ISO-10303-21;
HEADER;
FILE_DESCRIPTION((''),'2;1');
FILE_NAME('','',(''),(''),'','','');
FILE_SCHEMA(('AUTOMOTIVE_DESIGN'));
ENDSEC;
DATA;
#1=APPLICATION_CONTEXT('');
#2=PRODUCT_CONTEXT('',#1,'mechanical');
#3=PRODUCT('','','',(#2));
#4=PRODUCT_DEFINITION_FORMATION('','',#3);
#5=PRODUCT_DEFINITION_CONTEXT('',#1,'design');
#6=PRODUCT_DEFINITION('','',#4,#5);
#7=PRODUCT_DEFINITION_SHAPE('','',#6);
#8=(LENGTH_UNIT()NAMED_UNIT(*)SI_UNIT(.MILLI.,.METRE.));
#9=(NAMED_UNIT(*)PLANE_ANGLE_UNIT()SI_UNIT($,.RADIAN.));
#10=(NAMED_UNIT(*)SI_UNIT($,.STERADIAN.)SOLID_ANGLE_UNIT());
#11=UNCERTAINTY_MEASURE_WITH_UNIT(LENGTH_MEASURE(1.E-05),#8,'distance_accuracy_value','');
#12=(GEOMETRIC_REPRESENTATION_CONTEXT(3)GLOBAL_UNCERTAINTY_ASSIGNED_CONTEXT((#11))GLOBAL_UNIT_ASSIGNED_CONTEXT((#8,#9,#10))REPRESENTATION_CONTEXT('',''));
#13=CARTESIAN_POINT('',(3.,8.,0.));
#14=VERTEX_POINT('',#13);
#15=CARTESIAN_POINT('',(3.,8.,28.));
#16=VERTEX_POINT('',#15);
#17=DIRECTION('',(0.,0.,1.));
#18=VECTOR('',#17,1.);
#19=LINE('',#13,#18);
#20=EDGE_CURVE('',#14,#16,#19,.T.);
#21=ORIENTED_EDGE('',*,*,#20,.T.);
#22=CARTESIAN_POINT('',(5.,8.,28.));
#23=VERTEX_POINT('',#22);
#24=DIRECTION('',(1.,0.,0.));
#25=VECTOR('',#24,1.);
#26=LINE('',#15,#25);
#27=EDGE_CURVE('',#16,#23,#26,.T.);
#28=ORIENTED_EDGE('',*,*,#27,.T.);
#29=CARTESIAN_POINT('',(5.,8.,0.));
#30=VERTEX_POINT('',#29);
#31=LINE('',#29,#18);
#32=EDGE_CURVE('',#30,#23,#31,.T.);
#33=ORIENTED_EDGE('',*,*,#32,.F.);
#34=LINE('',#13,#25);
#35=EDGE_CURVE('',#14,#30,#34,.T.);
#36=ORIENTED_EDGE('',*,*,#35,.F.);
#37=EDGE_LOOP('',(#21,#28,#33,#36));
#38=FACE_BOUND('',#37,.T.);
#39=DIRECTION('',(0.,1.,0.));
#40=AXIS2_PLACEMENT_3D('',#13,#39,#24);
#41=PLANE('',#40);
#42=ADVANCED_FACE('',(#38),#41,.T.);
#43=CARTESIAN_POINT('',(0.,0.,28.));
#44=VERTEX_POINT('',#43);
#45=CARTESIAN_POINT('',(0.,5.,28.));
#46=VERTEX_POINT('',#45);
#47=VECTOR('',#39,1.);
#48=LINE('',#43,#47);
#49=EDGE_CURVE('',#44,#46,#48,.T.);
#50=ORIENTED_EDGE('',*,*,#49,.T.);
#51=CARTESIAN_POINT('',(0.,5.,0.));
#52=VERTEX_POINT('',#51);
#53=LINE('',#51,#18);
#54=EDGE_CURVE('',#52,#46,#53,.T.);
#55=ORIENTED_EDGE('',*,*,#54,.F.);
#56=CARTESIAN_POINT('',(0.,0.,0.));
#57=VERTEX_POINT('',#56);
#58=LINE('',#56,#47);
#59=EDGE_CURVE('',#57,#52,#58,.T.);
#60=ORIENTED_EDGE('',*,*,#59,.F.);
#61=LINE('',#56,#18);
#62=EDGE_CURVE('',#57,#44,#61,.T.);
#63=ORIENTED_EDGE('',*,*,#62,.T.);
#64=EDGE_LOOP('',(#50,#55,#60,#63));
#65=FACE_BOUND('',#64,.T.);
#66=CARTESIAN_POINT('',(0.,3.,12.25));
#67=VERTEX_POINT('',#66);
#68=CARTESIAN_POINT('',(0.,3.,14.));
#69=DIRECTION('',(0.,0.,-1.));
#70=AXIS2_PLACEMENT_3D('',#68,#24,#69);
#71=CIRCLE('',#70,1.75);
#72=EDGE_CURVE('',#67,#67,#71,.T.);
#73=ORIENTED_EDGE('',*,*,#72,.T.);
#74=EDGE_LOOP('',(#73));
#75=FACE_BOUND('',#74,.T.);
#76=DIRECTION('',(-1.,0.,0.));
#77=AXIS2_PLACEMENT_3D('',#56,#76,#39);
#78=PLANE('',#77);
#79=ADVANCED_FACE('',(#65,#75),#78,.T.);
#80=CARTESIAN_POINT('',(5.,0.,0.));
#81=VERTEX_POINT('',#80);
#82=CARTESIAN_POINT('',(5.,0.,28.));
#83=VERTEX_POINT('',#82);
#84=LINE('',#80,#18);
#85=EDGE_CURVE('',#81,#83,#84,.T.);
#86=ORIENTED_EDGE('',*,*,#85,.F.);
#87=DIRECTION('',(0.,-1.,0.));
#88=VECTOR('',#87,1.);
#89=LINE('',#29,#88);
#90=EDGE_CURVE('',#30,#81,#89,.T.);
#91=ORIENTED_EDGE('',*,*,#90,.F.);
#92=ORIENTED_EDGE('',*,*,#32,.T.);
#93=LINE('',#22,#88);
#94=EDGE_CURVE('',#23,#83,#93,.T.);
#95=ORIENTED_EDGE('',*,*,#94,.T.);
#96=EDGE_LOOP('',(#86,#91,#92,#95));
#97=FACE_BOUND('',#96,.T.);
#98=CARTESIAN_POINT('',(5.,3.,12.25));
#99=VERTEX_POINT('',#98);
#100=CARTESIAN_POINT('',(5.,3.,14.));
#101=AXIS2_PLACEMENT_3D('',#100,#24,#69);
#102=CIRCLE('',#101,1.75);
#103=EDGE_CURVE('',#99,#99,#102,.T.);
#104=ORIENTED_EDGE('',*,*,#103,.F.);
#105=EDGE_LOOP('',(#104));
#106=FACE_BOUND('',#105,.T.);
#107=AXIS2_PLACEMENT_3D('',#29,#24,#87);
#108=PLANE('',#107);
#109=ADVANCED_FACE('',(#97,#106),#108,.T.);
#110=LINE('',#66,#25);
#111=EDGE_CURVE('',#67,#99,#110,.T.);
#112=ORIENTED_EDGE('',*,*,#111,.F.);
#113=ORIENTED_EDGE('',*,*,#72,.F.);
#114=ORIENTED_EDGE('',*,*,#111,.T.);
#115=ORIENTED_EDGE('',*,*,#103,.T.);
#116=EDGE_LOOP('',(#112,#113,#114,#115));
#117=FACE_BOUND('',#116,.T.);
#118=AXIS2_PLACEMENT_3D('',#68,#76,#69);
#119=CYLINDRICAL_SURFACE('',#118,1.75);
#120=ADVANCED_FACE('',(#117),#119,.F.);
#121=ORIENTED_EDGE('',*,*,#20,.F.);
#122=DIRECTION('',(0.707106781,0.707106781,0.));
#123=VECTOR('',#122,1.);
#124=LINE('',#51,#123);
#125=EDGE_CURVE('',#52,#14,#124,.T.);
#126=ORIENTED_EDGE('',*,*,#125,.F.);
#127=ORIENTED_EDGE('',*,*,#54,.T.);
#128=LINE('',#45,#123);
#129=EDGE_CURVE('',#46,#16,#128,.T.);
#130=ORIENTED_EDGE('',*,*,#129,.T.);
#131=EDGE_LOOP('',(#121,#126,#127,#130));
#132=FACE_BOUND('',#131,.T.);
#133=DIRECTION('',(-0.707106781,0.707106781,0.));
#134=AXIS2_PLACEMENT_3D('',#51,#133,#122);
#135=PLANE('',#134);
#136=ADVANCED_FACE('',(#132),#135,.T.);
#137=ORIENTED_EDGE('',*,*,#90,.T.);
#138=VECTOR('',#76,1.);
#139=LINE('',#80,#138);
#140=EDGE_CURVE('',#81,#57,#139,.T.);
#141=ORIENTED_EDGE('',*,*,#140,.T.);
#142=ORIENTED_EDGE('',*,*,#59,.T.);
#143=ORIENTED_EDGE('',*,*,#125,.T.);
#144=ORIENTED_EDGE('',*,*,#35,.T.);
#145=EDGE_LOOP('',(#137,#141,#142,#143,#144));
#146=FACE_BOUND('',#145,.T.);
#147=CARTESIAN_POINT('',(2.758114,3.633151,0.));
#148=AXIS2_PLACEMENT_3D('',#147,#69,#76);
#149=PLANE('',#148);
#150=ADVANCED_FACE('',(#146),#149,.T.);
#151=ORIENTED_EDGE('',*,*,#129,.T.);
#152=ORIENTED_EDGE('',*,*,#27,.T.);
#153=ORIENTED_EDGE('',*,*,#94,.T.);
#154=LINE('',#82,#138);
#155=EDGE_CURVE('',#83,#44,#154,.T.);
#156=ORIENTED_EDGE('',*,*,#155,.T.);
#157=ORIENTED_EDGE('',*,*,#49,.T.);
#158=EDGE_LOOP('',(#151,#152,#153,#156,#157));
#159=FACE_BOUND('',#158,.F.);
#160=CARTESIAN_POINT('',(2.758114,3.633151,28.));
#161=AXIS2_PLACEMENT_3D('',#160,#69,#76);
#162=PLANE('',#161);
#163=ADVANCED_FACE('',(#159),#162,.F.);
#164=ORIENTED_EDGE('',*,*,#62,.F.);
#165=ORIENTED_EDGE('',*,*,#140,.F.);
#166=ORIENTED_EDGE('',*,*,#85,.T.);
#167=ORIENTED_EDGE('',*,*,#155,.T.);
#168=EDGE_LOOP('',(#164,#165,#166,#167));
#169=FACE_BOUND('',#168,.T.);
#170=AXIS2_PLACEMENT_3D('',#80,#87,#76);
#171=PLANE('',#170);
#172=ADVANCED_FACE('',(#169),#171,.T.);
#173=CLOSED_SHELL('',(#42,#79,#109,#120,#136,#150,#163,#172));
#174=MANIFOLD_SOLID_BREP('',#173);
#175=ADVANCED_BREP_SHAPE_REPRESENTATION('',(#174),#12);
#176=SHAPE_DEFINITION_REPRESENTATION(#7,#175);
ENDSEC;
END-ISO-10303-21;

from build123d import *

# Parameters (mm, degrees)
CYLINDER_R     = 1.75
CYLINDER_DEPTH = 5
EXTRUDE_DEPTH  = 28


with BuildPart() as cylindre:
    # Cylinder → Cylinder (new body)
    with BuildSketch(Plane(origin=(0, 3, 14), x_dir=(0, 0, -1), z_dir=(1, 0, 0))):
        Circle(CYLINDER_R)
    extrude(amount=CYLINDER_DEPTH)


with BuildPart() as cut:
    # Sketch → Extrude (new body)
    with BuildSketch(Plane.XY):
        Polygon((0, 0), (0, 5), (3, 8), (5, 8), (5, 0), align=None)
    extrude(amount=EXTRUDE_DEPTH)

    # Cut: cut Cylindre
    add(cylindre.part, mode=Mode.SUBTRACT)


solid = cut.part
